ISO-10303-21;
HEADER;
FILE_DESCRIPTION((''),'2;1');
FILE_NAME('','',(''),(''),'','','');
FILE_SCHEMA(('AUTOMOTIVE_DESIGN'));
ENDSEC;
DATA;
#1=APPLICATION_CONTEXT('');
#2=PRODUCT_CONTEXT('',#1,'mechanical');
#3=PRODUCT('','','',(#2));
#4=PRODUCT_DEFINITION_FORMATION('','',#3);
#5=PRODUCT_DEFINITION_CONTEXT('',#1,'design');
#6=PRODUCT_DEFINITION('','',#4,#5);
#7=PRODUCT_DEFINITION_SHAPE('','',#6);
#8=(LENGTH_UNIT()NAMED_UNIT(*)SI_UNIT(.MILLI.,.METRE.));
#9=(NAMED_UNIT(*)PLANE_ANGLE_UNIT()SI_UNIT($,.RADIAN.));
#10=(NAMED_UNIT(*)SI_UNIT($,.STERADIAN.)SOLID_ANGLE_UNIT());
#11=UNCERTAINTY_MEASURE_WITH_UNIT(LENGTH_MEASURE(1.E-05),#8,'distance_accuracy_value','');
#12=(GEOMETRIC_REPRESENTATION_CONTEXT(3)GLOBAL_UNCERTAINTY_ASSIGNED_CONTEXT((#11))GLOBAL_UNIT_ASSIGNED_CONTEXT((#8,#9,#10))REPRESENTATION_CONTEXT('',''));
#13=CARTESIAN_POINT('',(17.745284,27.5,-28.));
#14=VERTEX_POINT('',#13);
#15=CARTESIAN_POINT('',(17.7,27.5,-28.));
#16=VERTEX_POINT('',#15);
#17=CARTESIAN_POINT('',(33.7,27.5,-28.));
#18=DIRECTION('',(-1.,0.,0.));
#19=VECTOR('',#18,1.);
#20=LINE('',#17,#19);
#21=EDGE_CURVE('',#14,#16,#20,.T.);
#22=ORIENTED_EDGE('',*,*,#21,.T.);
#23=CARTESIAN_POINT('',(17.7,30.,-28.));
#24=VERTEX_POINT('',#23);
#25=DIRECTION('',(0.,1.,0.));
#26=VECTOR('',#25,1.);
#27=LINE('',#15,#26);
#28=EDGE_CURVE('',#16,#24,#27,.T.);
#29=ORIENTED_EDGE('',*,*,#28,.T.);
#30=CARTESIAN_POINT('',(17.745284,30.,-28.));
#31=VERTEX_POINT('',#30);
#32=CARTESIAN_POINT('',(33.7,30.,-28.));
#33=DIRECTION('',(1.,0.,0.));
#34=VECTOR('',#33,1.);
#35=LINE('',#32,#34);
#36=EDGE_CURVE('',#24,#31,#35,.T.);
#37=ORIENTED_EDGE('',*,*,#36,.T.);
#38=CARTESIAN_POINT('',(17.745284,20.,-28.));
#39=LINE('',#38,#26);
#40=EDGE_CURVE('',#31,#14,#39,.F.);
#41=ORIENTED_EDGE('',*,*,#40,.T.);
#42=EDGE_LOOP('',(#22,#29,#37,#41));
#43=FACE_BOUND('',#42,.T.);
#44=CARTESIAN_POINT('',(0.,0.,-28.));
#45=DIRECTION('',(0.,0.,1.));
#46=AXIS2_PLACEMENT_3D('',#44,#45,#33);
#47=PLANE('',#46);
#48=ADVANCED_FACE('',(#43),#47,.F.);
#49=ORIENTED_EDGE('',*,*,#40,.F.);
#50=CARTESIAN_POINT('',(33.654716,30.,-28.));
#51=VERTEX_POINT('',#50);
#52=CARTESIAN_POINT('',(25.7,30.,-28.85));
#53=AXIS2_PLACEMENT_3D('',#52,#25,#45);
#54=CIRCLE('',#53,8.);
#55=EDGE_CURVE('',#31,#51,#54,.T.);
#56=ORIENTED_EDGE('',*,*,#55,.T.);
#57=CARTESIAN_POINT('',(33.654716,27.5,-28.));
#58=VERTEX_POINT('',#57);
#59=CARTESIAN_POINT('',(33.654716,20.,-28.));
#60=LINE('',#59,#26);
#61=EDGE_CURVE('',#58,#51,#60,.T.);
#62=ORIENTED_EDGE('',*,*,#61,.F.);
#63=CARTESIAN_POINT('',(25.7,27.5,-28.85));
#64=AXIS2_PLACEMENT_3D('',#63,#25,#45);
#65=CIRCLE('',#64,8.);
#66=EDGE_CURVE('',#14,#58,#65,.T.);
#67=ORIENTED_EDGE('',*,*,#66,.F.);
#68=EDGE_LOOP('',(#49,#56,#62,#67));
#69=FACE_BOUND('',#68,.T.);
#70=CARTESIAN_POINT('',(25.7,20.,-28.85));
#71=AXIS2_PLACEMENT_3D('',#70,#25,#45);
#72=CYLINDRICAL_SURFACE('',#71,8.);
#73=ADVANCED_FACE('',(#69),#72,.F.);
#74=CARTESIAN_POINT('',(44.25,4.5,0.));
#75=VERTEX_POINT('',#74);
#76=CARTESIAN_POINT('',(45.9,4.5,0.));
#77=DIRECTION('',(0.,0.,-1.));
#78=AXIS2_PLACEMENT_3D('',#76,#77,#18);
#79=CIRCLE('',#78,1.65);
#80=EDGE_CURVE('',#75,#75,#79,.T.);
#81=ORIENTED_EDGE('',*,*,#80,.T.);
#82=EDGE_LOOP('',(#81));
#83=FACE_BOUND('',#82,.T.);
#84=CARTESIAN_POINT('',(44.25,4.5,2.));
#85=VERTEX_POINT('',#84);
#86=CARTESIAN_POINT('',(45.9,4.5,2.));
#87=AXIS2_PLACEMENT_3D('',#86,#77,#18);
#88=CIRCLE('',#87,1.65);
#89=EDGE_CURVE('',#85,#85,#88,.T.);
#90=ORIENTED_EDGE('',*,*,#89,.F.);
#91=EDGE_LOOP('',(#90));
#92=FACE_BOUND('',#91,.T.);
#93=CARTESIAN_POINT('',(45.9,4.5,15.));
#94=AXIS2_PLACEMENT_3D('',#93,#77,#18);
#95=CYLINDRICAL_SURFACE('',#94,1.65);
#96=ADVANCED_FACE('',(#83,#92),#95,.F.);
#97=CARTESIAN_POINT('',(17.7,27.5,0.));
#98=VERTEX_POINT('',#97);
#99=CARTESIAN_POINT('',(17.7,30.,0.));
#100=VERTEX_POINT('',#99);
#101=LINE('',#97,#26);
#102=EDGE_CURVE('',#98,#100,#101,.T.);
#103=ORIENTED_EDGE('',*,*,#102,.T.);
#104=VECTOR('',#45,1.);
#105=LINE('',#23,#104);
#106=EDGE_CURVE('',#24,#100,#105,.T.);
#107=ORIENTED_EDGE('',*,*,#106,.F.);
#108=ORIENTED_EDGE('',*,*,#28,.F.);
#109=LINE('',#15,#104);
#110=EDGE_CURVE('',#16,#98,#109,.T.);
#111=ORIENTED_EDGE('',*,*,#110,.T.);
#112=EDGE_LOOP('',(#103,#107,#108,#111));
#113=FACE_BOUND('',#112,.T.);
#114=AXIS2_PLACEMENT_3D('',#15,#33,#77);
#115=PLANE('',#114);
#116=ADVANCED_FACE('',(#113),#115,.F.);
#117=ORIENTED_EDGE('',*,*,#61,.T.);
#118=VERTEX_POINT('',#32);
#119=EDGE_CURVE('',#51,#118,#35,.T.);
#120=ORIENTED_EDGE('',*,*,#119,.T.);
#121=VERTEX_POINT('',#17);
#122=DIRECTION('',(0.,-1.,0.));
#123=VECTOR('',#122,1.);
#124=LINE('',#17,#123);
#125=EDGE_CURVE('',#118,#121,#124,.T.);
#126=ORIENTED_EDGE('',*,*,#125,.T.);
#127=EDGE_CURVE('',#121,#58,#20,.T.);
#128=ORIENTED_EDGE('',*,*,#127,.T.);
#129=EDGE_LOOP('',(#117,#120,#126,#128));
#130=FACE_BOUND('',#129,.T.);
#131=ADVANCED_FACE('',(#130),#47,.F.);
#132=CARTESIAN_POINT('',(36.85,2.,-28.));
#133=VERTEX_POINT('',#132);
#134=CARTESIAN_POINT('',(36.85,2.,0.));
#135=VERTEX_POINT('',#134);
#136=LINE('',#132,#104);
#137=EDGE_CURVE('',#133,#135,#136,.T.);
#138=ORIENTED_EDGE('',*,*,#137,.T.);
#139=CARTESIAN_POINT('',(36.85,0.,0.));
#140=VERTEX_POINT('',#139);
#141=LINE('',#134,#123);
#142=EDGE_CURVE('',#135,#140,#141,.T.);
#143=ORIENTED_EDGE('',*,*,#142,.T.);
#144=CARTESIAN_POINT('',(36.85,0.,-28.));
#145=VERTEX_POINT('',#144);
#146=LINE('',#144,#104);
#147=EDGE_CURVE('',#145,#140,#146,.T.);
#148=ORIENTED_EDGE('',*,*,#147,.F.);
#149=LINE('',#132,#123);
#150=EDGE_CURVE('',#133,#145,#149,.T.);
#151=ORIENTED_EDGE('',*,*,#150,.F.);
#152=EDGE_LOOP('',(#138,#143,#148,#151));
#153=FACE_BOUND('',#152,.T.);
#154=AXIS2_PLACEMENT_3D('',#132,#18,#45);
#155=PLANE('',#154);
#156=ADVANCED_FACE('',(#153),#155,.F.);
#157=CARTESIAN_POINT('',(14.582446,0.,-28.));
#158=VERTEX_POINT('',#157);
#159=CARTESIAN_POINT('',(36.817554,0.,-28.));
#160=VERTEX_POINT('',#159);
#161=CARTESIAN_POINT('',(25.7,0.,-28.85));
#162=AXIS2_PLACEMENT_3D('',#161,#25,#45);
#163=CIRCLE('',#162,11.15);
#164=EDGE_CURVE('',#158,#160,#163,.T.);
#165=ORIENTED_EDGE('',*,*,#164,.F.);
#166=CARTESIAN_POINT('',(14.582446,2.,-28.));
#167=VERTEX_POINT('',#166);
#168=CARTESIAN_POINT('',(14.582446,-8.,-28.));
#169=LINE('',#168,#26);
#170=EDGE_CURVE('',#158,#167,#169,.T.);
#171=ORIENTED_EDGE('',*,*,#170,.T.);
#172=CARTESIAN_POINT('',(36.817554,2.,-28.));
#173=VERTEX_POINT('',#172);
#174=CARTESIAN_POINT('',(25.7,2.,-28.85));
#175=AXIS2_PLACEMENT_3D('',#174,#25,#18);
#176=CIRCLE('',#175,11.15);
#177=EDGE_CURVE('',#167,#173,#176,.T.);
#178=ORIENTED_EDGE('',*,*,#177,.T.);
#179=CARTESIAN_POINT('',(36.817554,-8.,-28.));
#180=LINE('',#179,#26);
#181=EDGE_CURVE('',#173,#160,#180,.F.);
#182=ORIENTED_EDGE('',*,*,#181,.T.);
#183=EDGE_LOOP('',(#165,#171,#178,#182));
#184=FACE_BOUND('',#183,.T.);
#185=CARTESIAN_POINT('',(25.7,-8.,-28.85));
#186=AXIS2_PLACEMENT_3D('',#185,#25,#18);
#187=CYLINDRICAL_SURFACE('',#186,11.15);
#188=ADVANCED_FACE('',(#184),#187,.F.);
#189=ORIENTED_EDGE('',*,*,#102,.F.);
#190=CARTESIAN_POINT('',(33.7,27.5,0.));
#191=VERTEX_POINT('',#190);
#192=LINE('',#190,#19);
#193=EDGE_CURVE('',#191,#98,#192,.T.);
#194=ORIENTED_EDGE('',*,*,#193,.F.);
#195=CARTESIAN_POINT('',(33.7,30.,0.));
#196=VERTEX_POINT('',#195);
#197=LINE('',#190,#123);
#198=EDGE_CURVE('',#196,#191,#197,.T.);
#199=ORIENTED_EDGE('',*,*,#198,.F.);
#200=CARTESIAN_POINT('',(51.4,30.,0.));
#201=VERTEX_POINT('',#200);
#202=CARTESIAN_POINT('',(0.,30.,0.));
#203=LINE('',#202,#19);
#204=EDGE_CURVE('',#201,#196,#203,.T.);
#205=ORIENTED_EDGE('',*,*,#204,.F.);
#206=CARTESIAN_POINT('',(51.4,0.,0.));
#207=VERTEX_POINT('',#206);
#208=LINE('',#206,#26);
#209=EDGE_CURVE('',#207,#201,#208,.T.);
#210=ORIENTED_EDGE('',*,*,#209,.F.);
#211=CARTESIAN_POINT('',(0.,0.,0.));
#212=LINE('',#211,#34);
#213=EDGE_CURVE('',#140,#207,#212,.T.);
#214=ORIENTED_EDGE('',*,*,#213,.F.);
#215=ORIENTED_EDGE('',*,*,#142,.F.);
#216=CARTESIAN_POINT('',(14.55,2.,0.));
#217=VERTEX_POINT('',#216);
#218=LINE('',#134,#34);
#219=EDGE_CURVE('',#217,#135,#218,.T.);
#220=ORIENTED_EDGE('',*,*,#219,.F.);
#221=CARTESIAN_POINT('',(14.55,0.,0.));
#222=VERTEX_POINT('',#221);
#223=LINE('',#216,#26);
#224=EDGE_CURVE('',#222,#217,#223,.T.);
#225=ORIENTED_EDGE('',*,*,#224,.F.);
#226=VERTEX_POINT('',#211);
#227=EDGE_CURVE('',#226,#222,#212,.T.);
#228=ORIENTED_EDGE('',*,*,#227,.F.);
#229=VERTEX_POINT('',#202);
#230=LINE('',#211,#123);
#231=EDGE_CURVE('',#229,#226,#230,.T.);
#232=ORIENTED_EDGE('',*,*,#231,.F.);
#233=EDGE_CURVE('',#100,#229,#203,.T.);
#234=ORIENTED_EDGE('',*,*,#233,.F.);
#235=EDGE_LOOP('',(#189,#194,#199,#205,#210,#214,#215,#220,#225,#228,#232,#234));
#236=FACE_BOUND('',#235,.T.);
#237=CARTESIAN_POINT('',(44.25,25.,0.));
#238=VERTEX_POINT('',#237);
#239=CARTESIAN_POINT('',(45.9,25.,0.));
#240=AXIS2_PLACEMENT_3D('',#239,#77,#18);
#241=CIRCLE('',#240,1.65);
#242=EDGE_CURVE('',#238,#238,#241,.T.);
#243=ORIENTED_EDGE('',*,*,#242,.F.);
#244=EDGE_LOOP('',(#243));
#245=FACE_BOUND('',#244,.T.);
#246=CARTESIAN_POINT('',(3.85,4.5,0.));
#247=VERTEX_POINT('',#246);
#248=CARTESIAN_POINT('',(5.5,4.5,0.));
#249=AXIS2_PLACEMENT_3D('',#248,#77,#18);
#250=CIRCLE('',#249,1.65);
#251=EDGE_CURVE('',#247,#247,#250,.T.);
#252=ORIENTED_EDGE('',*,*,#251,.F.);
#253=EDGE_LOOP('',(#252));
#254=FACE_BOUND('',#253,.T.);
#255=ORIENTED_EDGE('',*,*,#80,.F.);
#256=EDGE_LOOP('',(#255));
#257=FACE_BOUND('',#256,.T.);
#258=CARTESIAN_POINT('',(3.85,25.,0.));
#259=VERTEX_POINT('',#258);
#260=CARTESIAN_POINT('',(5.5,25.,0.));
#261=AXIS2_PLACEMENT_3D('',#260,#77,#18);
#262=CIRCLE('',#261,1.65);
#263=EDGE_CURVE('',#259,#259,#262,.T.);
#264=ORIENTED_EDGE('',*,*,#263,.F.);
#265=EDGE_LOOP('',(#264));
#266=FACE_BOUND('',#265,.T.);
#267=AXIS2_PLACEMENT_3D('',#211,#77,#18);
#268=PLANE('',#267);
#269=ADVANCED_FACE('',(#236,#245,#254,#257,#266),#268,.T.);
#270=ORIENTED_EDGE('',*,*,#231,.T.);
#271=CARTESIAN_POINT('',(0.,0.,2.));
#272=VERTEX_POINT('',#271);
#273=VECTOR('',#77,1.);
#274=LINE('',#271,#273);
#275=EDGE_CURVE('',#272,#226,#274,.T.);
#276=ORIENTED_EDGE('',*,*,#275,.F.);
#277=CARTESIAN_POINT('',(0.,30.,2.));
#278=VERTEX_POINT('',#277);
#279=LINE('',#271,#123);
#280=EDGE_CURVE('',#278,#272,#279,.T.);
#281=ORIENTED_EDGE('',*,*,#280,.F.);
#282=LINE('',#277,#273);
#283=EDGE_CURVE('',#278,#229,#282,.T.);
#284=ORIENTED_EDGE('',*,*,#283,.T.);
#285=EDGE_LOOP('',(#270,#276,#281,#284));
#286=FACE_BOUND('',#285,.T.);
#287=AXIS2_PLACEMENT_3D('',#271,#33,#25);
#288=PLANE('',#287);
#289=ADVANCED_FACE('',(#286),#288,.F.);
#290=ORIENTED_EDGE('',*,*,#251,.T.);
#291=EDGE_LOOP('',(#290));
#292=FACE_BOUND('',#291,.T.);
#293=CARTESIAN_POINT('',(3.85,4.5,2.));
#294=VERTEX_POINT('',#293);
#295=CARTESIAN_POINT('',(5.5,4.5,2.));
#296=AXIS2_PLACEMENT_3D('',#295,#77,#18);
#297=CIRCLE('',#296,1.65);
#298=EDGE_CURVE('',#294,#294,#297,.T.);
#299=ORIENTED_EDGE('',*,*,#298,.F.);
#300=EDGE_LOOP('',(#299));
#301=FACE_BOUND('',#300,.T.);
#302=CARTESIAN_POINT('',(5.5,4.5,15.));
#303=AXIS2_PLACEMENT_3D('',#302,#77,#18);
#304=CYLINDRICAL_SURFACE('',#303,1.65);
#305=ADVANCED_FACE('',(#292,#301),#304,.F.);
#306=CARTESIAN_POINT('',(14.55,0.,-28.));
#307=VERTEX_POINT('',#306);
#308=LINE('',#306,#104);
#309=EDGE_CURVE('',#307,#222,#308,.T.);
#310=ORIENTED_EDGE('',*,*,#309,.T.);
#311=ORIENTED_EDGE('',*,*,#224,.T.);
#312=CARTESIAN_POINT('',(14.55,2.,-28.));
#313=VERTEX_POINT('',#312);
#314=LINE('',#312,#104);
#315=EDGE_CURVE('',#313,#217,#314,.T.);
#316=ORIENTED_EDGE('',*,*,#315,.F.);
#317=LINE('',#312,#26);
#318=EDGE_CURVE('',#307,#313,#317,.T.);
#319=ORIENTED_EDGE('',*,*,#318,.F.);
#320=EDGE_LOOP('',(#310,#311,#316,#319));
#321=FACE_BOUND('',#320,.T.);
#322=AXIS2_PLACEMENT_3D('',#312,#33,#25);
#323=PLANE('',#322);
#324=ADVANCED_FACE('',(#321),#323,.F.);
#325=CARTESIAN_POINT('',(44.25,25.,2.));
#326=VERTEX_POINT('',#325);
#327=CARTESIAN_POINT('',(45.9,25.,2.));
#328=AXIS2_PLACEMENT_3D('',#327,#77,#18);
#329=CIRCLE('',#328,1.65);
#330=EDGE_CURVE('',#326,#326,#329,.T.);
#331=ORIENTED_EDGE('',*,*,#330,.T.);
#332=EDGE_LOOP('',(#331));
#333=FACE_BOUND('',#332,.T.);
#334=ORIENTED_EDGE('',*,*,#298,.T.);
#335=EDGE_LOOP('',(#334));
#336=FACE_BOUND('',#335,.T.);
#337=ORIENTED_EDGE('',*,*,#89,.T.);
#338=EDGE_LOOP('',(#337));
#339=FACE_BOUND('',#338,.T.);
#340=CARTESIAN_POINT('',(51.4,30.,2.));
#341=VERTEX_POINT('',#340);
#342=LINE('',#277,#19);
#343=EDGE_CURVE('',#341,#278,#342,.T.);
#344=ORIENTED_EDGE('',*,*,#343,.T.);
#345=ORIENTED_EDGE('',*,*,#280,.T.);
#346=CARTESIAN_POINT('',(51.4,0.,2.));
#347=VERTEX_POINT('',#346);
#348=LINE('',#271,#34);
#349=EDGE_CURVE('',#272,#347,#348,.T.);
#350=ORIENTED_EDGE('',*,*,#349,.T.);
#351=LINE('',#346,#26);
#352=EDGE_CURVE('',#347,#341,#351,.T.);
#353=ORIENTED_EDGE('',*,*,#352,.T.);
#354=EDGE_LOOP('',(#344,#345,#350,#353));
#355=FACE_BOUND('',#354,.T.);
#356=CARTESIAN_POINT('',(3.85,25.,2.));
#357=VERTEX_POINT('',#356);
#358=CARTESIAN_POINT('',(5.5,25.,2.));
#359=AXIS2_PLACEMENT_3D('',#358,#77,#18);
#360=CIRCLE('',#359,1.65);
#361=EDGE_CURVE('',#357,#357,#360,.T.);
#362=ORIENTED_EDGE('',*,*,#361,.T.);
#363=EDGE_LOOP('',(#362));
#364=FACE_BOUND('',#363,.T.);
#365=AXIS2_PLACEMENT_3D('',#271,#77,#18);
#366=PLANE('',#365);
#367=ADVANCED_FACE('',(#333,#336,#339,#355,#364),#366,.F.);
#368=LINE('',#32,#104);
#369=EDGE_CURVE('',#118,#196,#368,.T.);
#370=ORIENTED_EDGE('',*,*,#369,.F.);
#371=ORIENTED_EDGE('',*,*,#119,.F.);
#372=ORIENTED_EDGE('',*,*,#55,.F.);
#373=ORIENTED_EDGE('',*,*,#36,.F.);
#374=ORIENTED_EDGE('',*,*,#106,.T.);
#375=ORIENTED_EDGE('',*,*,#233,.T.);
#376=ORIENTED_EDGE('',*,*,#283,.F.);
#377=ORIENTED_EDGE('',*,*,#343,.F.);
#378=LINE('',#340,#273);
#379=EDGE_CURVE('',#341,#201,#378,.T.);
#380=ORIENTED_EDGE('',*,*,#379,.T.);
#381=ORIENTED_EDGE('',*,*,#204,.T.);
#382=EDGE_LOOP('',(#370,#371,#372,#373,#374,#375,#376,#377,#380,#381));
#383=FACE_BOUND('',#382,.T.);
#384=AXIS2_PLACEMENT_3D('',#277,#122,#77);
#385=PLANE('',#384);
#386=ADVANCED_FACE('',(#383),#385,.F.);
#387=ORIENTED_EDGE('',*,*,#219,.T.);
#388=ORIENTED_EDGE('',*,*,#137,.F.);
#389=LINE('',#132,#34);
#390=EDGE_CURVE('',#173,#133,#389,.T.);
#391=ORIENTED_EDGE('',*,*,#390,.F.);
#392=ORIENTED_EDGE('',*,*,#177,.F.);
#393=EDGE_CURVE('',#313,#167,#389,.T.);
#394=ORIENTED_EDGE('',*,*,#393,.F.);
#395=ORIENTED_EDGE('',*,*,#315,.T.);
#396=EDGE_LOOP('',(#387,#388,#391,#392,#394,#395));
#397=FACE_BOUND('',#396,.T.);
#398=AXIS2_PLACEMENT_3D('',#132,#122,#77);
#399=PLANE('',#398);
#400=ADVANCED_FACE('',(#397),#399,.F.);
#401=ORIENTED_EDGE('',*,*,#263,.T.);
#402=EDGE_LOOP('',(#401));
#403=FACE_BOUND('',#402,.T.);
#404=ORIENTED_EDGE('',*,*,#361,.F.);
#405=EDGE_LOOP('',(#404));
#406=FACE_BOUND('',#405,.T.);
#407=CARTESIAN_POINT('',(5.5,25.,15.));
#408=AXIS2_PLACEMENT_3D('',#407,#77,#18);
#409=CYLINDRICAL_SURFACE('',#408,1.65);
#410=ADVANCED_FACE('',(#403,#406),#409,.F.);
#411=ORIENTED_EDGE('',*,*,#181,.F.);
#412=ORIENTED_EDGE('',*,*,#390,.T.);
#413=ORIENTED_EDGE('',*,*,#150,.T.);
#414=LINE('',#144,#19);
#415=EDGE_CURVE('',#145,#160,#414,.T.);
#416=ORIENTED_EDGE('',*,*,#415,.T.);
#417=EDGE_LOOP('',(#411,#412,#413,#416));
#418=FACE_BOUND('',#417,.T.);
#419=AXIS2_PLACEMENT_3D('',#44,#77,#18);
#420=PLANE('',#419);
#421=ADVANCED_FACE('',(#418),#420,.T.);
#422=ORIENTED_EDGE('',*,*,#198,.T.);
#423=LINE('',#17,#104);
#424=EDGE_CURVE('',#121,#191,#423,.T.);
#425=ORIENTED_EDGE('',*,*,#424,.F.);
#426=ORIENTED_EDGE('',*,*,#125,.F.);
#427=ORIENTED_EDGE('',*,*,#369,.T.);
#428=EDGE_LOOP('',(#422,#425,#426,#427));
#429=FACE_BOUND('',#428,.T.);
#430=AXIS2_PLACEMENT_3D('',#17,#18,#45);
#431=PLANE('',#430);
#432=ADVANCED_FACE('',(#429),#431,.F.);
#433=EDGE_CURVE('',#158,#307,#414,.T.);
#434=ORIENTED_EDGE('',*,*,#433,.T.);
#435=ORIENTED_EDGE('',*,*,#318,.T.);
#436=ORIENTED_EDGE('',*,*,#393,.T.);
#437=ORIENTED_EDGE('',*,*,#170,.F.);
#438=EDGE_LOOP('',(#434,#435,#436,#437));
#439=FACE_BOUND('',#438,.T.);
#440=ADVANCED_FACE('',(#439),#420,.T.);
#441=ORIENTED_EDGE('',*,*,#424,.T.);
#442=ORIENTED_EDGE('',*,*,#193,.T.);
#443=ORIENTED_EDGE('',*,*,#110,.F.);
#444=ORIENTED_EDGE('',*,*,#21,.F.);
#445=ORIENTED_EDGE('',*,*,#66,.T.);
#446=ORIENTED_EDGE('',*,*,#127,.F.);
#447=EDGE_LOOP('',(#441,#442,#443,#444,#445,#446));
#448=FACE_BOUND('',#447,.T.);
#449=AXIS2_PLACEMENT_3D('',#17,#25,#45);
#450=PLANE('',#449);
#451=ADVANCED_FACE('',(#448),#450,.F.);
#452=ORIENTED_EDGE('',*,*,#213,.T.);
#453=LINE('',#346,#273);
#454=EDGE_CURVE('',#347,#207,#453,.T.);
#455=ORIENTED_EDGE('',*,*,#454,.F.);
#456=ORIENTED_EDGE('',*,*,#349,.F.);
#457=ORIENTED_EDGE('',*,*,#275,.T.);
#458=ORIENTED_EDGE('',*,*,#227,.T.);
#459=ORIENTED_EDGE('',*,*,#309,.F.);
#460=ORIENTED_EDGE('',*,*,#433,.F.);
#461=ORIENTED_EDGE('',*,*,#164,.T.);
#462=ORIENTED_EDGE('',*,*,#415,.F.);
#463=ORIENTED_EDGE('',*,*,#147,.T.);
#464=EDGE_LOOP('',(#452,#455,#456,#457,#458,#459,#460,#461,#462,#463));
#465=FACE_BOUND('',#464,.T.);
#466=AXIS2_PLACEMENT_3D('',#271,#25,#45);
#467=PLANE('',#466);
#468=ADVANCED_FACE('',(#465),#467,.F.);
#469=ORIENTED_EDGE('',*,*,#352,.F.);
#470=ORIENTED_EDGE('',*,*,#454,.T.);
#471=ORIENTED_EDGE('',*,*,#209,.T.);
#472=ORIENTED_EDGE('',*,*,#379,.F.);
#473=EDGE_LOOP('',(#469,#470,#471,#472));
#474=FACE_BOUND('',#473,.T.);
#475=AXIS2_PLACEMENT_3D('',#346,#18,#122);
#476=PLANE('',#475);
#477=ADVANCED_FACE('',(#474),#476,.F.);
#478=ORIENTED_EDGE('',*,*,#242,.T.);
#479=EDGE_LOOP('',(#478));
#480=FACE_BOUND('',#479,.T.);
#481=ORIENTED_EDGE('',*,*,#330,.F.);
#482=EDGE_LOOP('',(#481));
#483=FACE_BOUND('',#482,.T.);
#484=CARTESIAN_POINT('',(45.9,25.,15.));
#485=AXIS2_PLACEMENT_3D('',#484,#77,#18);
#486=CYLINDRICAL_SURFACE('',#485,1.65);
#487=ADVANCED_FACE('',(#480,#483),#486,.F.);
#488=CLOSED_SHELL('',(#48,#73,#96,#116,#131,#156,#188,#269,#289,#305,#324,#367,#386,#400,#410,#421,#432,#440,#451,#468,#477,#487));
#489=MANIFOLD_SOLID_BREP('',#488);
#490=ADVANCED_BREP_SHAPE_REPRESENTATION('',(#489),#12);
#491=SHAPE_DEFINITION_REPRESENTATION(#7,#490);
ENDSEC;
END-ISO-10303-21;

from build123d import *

# Parameters (mm, degrees)
SKETCH1_W           = 51.4
SKETCH1_H           = 30
BOSS_EXTRUDE1_DEPTH = 2
SKETCH2_R           = 1.65
CUT_EXTRUDE1_DEPTH  = 15
SKETCH3_W           = 16
SKETCH3_H           = 2.5
SKETCH3_W_2         = 22.3
SKETCH3_H_2         = 2
BOSS_EXTRUDE2_DEPTH = 28
SKETCH4_R           = 8
CUT_EXTRUDE3_DEPTH  = 10
SKETCH6_R           = 11.15
CUT_EXTRUDE4_DEPTH  = 10


with BuildPart() as part:
    # Sketch1 → Boss-Extrude1 (new body)
    with BuildSketch(Plane.XY):
        with Locations((25.7, 15)):
            Rectangle(SKETCH1_W, SKETCH1_H)
    extrude(amount=BOSS_EXTRUDE1_DEPTH)

    # Sketch2 → Cut-Extrude1 (cut)
    with BuildSketch(Plane(origin=(0, 0, 0), x_dir=(-1, 0, 0), z_dir=(0, 0, -1))):
        with Locations((-45.9, 25)):
            Circle(SKETCH2_R)
        with Locations((-5.5, 25)):
            Circle(SKETCH2_R)
        with Locations((-5.5, 4.5)):
            Circle(SKETCH2_R)
        with Locations((-45.9, 4.5)):
            Circle(SKETCH2_R)
    extrude(amount=-CUT_EXTRUDE1_DEPTH, mode=Mode.SUBTRACT)

    # Sketch3 → Boss-Extrude2 (add)
    with BuildSketch(Plane(origin=(0, 0, 0), x_dir=(-1, 0, 0), z_dir=(0, 0, -1))):
        with Locations((-25.7, 28.75)):
            Rectangle(SKETCH3_W, SKETCH3_H)
        with Locations((-25.7, 1)):
            Rectangle(SKETCH3_W_2, SKETCH3_H_2)
    extrude(amount=BOSS_EXTRUDE2_DEPTH)

    # Sketch4 → Cut-Extrude3 (cut)
    with BuildSketch(Plane(origin=(0, 30, 0), x_dir=(1, 0, 0), z_dir=(0, 1, 0))):
        with Locations((25.7, 28.85)):
            Circle(SKETCH4_R)
    extrude(amount=-CUT_EXTRUDE3_DEPTH, mode=Mode.SUBTRACT)

    # Sketch6 → Cut-Extrude4 (cut)
    with BuildSketch(Plane(origin=(0, 2, 0), x_dir=(1, 0, 0), z_dir=(0, 1, 0))):
        with Locations((25.7, 28.85)):
            Circle(SKETCH6_R)
    extrude(amount=-CUT_EXTRUDE4_DEPTH, mode=Mode.SUBTRACT)


solid = part.part
